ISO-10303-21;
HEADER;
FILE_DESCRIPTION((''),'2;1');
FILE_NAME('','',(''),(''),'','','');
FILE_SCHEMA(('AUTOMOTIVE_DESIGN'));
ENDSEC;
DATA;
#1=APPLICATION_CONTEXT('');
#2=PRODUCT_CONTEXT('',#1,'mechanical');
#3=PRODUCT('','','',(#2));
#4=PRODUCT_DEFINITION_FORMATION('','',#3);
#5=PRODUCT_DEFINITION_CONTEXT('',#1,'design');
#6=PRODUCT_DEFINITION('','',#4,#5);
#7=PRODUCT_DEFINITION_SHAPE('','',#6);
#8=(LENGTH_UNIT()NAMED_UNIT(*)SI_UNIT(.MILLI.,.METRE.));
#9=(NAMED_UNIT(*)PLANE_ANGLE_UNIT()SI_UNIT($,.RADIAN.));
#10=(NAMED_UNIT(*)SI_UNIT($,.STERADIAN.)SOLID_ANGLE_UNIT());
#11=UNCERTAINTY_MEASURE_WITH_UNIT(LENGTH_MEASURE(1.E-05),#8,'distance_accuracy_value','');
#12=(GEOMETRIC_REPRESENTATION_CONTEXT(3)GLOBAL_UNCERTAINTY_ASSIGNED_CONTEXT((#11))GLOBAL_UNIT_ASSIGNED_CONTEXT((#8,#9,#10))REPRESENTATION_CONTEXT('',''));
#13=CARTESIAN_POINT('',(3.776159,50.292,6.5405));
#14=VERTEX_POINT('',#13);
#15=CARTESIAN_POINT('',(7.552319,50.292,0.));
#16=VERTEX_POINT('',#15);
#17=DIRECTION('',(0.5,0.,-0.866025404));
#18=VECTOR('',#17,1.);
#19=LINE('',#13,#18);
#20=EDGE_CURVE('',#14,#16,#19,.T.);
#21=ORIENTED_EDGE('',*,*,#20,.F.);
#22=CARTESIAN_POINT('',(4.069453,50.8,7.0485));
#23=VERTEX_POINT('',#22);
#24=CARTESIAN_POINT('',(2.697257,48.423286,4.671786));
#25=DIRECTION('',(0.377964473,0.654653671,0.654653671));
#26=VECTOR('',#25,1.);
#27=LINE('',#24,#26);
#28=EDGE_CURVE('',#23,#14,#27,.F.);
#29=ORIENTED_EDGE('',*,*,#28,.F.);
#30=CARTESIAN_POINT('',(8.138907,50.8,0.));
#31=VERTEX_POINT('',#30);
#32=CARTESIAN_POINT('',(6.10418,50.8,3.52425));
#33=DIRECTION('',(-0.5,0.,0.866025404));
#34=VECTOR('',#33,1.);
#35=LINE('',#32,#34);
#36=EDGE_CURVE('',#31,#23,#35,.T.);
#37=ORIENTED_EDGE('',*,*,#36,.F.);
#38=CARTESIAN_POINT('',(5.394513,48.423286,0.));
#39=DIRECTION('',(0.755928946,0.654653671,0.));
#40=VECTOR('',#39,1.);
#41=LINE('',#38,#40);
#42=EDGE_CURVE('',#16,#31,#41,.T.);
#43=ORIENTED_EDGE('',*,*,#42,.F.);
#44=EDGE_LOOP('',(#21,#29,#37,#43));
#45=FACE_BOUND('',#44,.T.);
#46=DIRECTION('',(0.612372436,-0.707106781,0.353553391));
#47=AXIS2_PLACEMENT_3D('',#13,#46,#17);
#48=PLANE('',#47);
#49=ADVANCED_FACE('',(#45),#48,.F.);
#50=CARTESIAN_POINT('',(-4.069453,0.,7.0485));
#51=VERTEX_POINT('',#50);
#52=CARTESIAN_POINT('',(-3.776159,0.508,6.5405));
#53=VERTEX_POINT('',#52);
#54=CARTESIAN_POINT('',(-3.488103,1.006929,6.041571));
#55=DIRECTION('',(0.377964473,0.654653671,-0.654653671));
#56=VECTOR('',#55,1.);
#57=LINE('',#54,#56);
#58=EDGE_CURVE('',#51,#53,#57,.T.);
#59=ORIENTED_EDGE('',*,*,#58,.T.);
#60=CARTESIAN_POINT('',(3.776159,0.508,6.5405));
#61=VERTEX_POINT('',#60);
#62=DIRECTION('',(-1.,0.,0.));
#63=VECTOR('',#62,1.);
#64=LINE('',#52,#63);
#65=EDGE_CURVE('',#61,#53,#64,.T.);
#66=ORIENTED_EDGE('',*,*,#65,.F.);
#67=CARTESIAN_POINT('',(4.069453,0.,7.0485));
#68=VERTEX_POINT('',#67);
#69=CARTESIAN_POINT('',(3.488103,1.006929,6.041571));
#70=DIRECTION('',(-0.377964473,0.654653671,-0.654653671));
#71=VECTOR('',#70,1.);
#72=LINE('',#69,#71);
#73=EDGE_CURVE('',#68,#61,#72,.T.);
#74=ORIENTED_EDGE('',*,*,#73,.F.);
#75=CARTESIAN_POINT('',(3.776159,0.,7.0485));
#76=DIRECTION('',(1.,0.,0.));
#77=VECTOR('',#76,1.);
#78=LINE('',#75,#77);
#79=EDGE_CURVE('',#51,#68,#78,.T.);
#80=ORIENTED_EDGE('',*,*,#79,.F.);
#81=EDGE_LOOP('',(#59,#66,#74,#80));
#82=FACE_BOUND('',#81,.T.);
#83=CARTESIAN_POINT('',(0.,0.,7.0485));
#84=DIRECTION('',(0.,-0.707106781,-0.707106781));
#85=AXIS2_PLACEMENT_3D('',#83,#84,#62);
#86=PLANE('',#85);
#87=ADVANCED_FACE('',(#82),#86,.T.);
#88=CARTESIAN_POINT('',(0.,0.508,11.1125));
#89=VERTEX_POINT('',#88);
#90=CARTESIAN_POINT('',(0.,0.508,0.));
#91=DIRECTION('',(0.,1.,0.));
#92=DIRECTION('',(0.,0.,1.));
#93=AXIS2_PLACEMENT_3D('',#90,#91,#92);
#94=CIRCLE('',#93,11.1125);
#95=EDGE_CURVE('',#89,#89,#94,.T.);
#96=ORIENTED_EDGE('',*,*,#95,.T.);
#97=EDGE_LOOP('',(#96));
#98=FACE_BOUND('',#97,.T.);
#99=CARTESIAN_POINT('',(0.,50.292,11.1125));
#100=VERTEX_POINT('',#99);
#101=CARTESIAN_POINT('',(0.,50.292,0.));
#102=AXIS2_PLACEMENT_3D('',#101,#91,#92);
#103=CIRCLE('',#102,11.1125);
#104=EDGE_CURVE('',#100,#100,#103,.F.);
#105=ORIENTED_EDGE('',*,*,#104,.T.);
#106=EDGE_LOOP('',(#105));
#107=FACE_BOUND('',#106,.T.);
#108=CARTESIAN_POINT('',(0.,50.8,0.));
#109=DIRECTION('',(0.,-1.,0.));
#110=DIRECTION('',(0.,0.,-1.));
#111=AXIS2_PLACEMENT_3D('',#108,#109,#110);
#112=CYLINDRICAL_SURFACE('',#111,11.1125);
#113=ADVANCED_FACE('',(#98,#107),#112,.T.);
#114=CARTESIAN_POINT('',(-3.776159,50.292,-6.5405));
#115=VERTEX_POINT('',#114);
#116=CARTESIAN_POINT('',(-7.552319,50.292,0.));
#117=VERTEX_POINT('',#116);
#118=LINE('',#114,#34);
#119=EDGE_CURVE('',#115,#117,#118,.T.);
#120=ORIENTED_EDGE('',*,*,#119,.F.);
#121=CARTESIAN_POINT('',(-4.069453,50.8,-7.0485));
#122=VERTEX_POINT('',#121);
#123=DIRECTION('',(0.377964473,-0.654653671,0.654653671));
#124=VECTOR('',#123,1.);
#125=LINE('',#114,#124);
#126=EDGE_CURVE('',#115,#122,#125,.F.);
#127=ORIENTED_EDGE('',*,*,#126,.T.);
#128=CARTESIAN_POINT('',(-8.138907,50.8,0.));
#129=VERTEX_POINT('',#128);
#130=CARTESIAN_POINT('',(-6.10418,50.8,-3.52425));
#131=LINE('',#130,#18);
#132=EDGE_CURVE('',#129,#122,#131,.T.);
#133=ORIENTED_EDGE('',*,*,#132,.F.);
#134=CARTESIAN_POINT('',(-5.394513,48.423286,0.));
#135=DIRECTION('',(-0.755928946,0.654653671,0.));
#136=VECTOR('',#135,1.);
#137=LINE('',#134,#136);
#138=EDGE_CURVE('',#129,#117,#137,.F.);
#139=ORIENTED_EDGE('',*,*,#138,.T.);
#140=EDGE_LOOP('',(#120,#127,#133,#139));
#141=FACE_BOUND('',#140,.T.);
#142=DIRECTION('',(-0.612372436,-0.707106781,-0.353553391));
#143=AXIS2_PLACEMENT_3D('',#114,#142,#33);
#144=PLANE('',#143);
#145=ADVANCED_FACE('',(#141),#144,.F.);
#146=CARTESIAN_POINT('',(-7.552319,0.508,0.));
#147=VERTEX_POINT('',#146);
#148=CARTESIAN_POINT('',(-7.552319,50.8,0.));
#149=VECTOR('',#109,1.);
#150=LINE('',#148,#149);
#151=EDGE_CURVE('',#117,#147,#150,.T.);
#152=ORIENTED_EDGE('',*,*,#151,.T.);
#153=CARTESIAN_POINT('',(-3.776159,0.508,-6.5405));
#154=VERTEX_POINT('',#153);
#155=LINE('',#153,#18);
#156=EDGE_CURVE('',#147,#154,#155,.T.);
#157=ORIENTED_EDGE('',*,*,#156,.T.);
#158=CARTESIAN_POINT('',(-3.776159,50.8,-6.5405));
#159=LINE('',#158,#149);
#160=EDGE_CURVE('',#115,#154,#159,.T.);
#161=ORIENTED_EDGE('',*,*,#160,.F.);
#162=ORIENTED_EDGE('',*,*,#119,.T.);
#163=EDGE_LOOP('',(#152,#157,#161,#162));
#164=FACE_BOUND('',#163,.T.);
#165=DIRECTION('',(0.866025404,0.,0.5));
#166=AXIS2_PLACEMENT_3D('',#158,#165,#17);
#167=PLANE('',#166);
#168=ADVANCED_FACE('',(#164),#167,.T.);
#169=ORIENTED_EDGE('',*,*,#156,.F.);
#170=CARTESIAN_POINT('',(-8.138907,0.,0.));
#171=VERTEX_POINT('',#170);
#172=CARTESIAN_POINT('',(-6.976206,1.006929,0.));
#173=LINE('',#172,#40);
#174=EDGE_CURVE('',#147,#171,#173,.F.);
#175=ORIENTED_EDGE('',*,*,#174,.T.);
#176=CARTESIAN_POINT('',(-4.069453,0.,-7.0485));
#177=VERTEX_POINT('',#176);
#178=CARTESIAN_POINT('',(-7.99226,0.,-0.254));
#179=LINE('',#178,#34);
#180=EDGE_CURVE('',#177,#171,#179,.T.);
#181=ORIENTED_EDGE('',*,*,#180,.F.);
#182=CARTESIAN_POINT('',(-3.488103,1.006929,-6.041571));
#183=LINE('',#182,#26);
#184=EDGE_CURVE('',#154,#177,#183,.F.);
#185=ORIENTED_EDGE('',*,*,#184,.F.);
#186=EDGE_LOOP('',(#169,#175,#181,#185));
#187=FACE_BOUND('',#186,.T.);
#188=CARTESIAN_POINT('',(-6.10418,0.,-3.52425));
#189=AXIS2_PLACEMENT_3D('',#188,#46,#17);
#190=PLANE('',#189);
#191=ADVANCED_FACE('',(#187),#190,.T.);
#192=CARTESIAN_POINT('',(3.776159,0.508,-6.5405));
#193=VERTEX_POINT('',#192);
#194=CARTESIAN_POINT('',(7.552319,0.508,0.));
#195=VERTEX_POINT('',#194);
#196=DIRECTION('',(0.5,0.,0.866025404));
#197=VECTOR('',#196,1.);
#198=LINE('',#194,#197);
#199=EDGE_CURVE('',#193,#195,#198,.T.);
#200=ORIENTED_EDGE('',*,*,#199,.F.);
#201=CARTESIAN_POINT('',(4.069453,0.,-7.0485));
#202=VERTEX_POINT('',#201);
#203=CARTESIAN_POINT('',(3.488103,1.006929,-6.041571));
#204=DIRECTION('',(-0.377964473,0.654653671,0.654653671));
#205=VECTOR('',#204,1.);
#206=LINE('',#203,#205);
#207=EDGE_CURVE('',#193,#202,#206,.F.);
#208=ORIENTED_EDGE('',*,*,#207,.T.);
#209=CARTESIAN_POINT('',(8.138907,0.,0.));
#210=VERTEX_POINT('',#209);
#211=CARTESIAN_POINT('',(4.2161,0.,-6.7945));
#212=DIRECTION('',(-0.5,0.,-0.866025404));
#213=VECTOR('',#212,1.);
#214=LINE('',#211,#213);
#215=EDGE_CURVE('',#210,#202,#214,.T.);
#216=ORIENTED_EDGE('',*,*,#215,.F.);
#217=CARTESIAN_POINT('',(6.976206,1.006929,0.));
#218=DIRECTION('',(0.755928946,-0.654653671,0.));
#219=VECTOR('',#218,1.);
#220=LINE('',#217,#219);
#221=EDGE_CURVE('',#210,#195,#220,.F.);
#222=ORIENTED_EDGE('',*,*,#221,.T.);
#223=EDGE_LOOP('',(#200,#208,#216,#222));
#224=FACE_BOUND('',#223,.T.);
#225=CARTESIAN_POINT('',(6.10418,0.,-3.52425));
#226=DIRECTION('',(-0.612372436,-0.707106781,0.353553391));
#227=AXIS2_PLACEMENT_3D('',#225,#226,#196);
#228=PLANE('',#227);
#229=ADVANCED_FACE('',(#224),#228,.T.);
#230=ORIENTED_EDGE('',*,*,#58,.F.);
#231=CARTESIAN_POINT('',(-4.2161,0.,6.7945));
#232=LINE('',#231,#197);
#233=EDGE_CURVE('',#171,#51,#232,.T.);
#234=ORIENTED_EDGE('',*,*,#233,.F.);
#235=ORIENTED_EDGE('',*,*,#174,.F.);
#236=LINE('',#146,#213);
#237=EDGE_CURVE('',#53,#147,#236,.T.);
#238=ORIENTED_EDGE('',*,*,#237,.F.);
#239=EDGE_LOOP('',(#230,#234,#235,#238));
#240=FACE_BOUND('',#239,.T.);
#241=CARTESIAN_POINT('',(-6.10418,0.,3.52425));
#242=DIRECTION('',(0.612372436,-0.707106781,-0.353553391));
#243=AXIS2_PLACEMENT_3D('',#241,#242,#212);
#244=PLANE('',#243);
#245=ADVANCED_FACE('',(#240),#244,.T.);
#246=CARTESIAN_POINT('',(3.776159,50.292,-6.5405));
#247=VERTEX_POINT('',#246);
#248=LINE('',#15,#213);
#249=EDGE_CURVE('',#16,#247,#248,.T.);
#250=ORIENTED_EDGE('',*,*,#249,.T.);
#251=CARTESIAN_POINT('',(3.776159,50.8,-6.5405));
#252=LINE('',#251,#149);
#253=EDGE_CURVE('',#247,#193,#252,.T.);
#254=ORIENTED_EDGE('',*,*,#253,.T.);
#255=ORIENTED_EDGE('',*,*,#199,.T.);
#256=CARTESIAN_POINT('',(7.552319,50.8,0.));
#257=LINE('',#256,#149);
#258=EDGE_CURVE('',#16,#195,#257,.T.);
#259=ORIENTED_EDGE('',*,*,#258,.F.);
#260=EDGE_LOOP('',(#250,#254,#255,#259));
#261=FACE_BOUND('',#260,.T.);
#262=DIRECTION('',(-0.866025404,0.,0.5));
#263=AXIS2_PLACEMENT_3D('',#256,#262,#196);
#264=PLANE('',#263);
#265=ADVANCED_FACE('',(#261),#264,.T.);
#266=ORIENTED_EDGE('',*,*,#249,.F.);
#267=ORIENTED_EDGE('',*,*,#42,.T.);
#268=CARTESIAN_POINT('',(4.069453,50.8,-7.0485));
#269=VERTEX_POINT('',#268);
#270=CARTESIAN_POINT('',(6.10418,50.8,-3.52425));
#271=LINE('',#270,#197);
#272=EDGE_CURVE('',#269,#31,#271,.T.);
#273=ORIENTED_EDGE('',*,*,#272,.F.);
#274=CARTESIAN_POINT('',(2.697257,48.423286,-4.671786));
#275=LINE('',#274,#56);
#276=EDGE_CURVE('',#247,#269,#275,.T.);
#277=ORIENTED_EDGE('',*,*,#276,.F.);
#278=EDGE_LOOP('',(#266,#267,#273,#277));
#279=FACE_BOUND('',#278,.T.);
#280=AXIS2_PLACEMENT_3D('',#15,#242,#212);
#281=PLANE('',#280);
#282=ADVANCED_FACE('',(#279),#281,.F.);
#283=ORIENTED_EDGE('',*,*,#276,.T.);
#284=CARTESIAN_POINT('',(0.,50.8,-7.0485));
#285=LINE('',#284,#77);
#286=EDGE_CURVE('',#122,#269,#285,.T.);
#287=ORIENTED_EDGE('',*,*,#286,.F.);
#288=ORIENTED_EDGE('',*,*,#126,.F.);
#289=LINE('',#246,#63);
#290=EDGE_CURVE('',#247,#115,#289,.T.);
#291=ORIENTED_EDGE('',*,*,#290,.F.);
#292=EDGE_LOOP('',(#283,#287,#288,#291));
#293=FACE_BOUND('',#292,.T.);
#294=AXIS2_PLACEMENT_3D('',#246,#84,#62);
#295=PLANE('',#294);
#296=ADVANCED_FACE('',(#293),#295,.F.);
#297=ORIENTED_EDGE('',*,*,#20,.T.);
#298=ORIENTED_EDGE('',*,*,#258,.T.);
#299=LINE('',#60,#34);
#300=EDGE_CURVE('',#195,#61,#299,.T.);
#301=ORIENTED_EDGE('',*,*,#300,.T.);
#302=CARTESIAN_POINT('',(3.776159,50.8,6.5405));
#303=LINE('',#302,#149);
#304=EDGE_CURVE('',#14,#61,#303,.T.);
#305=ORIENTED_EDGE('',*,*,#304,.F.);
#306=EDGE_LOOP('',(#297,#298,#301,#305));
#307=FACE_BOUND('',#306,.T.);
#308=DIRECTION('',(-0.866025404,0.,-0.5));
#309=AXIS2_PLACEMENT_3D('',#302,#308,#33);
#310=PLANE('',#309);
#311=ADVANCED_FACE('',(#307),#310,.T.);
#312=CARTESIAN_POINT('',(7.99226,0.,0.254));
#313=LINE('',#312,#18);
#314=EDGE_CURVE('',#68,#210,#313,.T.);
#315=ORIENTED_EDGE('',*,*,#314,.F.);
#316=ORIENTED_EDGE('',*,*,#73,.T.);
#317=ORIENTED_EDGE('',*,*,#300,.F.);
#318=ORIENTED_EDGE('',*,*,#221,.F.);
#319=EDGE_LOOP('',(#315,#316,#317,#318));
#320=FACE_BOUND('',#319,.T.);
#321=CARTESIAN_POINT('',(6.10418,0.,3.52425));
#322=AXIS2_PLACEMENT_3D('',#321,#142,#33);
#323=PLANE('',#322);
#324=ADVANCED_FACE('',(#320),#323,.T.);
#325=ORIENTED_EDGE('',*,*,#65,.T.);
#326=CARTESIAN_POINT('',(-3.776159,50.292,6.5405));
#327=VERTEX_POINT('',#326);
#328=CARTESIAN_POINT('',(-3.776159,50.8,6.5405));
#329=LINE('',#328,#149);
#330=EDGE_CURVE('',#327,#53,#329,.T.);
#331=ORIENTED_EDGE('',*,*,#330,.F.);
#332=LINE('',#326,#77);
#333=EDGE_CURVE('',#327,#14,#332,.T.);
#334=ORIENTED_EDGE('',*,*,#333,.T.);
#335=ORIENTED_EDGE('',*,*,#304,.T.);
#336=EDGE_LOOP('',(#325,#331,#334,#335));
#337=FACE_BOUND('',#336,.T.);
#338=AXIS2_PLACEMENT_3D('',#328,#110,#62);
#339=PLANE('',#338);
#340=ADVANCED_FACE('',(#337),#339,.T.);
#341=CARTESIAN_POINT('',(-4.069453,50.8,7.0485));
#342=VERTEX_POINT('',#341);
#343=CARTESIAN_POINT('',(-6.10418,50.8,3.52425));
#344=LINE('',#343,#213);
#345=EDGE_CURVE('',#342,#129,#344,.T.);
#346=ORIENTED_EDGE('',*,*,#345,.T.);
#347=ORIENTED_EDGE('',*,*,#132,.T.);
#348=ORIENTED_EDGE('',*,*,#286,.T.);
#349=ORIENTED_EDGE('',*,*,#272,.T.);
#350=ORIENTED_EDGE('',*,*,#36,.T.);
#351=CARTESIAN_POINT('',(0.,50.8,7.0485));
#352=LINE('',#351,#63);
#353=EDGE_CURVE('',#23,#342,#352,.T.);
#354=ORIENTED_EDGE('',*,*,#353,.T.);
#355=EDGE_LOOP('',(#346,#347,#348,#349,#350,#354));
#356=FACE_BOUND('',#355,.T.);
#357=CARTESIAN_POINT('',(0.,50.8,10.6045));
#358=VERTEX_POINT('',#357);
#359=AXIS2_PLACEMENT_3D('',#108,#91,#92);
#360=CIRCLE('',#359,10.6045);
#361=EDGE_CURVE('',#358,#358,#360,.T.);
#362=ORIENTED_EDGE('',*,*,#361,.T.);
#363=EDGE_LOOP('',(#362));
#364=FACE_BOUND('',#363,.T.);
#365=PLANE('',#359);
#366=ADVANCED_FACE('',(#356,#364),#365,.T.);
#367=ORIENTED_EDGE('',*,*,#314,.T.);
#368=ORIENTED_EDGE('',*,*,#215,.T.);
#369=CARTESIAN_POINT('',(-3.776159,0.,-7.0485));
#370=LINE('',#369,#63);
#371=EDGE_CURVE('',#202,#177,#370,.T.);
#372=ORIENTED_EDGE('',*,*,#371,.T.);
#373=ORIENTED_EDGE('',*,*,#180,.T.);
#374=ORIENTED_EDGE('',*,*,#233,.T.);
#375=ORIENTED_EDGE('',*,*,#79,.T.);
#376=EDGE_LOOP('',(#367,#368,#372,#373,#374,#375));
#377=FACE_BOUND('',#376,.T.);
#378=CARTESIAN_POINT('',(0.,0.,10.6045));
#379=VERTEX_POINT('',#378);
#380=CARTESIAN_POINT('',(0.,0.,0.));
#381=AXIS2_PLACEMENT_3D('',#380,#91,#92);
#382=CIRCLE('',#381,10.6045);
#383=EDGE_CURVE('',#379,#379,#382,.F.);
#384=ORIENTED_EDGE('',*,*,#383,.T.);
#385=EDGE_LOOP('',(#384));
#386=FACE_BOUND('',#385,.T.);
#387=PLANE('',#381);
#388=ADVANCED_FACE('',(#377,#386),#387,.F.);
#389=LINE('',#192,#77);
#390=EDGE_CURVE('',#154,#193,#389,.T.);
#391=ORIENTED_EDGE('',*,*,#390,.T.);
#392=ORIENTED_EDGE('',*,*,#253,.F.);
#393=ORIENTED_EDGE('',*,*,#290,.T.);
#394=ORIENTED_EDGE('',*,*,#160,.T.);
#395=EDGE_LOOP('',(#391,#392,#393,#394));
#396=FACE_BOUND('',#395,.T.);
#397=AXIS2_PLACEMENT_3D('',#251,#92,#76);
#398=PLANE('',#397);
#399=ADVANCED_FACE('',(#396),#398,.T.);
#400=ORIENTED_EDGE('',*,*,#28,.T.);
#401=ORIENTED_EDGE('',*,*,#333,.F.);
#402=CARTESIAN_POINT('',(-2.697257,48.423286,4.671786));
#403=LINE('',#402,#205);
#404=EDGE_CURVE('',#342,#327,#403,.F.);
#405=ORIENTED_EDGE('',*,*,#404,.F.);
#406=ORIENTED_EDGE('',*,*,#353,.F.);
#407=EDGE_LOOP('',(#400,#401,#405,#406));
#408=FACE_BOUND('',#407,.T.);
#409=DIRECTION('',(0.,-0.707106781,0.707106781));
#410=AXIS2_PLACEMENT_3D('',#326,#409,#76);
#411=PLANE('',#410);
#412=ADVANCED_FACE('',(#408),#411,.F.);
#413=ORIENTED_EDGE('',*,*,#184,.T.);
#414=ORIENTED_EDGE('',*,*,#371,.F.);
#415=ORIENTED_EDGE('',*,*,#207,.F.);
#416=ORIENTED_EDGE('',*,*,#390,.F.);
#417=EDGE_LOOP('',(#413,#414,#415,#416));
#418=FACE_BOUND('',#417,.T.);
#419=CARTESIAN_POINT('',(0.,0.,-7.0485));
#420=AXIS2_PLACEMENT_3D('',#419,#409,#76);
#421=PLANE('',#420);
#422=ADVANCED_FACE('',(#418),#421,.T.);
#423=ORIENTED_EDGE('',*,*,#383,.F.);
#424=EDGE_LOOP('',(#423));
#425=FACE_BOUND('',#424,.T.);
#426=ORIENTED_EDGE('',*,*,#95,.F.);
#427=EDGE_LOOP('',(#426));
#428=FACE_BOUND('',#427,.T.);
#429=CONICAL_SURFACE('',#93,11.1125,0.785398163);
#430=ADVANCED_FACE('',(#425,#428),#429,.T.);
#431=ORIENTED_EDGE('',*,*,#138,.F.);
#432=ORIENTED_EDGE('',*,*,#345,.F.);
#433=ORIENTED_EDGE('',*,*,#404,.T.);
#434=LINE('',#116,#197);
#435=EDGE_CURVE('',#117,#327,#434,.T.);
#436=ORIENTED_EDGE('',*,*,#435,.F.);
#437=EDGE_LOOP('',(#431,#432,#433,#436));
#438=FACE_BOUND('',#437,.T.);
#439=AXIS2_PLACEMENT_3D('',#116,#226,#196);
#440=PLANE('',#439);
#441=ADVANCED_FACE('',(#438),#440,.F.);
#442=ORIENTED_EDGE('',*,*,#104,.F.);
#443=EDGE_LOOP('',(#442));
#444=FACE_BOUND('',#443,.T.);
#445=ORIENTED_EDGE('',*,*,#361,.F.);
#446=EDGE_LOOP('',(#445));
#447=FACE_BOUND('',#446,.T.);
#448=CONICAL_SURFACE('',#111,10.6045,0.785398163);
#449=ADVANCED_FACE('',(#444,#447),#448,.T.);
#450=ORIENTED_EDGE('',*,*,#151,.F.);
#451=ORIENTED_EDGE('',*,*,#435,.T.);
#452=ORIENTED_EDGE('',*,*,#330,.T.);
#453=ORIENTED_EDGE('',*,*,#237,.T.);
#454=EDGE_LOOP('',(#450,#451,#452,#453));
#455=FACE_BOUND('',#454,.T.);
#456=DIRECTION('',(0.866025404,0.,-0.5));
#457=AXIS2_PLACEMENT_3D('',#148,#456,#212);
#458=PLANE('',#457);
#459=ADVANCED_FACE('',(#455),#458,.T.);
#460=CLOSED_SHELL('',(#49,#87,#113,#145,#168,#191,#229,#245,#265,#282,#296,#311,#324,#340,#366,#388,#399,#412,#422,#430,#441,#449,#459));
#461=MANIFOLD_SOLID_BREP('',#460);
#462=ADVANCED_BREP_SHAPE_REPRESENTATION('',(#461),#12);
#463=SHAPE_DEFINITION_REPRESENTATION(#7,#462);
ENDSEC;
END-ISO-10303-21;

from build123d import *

# Parameters (mm, degrees)
SKETCH1_R           = 11.1125
BOSS_EXTRUDE1_DEPTH = 50.8
CHAMFER1_SIZE       = 0.508


with BuildPart() as part:
    # Sketch1 → Boss-Extrude1 (new body)
    with BuildSketch(Plane(origin=(0, 0, 0), x_dir=(1, 0, 0), z_dir=(0, 1, 0))):
        with Locations(Location((0, 0, 0), (0, 0, 270))):
            Circle(SKETCH1_R)
        Polygon((7.552318871, 0), (3.776159436, 6.5405), (-3.776159436, 6.5405), (-7.552318871, 0), (-3.776159436, -6.5405), (3.776159436, -6.5405), align=None, mode=Mode.SUBTRACT)
    extrude(amount=BOSS_EXTRUDE1_DEPTH)

    # Chamfer1
    chamfer1_edges = [part.edges().sort_by_distance(p)[0] for p in [
        (0, 0, -6.5405),
        (-5.664239153, 0, -3.27025),
        (-5.664239153, 0, 3.27025),
        (0, 0, 6.5405),
        (5.664239153, 50.8, 3.27025),
        (5.664239153, 50.8, -3.27025),
        (0, 50.8, -6.5405),
        (-5.664239153, 50.8, -3.27025),
        (-5.664239153, 50.8, 3.27025),
        (0, 50.8, 6.5405),
        (0, 0, -11.1125),
        (0, 50.8, -11.1125),
        (5.664239153, 0, 3.27025),
        (5.664239153, 0, -3.27025),
    ]]
    chamfer(chamfer1_edges, length=CHAMFER1_SIZE)


solid = part.part
